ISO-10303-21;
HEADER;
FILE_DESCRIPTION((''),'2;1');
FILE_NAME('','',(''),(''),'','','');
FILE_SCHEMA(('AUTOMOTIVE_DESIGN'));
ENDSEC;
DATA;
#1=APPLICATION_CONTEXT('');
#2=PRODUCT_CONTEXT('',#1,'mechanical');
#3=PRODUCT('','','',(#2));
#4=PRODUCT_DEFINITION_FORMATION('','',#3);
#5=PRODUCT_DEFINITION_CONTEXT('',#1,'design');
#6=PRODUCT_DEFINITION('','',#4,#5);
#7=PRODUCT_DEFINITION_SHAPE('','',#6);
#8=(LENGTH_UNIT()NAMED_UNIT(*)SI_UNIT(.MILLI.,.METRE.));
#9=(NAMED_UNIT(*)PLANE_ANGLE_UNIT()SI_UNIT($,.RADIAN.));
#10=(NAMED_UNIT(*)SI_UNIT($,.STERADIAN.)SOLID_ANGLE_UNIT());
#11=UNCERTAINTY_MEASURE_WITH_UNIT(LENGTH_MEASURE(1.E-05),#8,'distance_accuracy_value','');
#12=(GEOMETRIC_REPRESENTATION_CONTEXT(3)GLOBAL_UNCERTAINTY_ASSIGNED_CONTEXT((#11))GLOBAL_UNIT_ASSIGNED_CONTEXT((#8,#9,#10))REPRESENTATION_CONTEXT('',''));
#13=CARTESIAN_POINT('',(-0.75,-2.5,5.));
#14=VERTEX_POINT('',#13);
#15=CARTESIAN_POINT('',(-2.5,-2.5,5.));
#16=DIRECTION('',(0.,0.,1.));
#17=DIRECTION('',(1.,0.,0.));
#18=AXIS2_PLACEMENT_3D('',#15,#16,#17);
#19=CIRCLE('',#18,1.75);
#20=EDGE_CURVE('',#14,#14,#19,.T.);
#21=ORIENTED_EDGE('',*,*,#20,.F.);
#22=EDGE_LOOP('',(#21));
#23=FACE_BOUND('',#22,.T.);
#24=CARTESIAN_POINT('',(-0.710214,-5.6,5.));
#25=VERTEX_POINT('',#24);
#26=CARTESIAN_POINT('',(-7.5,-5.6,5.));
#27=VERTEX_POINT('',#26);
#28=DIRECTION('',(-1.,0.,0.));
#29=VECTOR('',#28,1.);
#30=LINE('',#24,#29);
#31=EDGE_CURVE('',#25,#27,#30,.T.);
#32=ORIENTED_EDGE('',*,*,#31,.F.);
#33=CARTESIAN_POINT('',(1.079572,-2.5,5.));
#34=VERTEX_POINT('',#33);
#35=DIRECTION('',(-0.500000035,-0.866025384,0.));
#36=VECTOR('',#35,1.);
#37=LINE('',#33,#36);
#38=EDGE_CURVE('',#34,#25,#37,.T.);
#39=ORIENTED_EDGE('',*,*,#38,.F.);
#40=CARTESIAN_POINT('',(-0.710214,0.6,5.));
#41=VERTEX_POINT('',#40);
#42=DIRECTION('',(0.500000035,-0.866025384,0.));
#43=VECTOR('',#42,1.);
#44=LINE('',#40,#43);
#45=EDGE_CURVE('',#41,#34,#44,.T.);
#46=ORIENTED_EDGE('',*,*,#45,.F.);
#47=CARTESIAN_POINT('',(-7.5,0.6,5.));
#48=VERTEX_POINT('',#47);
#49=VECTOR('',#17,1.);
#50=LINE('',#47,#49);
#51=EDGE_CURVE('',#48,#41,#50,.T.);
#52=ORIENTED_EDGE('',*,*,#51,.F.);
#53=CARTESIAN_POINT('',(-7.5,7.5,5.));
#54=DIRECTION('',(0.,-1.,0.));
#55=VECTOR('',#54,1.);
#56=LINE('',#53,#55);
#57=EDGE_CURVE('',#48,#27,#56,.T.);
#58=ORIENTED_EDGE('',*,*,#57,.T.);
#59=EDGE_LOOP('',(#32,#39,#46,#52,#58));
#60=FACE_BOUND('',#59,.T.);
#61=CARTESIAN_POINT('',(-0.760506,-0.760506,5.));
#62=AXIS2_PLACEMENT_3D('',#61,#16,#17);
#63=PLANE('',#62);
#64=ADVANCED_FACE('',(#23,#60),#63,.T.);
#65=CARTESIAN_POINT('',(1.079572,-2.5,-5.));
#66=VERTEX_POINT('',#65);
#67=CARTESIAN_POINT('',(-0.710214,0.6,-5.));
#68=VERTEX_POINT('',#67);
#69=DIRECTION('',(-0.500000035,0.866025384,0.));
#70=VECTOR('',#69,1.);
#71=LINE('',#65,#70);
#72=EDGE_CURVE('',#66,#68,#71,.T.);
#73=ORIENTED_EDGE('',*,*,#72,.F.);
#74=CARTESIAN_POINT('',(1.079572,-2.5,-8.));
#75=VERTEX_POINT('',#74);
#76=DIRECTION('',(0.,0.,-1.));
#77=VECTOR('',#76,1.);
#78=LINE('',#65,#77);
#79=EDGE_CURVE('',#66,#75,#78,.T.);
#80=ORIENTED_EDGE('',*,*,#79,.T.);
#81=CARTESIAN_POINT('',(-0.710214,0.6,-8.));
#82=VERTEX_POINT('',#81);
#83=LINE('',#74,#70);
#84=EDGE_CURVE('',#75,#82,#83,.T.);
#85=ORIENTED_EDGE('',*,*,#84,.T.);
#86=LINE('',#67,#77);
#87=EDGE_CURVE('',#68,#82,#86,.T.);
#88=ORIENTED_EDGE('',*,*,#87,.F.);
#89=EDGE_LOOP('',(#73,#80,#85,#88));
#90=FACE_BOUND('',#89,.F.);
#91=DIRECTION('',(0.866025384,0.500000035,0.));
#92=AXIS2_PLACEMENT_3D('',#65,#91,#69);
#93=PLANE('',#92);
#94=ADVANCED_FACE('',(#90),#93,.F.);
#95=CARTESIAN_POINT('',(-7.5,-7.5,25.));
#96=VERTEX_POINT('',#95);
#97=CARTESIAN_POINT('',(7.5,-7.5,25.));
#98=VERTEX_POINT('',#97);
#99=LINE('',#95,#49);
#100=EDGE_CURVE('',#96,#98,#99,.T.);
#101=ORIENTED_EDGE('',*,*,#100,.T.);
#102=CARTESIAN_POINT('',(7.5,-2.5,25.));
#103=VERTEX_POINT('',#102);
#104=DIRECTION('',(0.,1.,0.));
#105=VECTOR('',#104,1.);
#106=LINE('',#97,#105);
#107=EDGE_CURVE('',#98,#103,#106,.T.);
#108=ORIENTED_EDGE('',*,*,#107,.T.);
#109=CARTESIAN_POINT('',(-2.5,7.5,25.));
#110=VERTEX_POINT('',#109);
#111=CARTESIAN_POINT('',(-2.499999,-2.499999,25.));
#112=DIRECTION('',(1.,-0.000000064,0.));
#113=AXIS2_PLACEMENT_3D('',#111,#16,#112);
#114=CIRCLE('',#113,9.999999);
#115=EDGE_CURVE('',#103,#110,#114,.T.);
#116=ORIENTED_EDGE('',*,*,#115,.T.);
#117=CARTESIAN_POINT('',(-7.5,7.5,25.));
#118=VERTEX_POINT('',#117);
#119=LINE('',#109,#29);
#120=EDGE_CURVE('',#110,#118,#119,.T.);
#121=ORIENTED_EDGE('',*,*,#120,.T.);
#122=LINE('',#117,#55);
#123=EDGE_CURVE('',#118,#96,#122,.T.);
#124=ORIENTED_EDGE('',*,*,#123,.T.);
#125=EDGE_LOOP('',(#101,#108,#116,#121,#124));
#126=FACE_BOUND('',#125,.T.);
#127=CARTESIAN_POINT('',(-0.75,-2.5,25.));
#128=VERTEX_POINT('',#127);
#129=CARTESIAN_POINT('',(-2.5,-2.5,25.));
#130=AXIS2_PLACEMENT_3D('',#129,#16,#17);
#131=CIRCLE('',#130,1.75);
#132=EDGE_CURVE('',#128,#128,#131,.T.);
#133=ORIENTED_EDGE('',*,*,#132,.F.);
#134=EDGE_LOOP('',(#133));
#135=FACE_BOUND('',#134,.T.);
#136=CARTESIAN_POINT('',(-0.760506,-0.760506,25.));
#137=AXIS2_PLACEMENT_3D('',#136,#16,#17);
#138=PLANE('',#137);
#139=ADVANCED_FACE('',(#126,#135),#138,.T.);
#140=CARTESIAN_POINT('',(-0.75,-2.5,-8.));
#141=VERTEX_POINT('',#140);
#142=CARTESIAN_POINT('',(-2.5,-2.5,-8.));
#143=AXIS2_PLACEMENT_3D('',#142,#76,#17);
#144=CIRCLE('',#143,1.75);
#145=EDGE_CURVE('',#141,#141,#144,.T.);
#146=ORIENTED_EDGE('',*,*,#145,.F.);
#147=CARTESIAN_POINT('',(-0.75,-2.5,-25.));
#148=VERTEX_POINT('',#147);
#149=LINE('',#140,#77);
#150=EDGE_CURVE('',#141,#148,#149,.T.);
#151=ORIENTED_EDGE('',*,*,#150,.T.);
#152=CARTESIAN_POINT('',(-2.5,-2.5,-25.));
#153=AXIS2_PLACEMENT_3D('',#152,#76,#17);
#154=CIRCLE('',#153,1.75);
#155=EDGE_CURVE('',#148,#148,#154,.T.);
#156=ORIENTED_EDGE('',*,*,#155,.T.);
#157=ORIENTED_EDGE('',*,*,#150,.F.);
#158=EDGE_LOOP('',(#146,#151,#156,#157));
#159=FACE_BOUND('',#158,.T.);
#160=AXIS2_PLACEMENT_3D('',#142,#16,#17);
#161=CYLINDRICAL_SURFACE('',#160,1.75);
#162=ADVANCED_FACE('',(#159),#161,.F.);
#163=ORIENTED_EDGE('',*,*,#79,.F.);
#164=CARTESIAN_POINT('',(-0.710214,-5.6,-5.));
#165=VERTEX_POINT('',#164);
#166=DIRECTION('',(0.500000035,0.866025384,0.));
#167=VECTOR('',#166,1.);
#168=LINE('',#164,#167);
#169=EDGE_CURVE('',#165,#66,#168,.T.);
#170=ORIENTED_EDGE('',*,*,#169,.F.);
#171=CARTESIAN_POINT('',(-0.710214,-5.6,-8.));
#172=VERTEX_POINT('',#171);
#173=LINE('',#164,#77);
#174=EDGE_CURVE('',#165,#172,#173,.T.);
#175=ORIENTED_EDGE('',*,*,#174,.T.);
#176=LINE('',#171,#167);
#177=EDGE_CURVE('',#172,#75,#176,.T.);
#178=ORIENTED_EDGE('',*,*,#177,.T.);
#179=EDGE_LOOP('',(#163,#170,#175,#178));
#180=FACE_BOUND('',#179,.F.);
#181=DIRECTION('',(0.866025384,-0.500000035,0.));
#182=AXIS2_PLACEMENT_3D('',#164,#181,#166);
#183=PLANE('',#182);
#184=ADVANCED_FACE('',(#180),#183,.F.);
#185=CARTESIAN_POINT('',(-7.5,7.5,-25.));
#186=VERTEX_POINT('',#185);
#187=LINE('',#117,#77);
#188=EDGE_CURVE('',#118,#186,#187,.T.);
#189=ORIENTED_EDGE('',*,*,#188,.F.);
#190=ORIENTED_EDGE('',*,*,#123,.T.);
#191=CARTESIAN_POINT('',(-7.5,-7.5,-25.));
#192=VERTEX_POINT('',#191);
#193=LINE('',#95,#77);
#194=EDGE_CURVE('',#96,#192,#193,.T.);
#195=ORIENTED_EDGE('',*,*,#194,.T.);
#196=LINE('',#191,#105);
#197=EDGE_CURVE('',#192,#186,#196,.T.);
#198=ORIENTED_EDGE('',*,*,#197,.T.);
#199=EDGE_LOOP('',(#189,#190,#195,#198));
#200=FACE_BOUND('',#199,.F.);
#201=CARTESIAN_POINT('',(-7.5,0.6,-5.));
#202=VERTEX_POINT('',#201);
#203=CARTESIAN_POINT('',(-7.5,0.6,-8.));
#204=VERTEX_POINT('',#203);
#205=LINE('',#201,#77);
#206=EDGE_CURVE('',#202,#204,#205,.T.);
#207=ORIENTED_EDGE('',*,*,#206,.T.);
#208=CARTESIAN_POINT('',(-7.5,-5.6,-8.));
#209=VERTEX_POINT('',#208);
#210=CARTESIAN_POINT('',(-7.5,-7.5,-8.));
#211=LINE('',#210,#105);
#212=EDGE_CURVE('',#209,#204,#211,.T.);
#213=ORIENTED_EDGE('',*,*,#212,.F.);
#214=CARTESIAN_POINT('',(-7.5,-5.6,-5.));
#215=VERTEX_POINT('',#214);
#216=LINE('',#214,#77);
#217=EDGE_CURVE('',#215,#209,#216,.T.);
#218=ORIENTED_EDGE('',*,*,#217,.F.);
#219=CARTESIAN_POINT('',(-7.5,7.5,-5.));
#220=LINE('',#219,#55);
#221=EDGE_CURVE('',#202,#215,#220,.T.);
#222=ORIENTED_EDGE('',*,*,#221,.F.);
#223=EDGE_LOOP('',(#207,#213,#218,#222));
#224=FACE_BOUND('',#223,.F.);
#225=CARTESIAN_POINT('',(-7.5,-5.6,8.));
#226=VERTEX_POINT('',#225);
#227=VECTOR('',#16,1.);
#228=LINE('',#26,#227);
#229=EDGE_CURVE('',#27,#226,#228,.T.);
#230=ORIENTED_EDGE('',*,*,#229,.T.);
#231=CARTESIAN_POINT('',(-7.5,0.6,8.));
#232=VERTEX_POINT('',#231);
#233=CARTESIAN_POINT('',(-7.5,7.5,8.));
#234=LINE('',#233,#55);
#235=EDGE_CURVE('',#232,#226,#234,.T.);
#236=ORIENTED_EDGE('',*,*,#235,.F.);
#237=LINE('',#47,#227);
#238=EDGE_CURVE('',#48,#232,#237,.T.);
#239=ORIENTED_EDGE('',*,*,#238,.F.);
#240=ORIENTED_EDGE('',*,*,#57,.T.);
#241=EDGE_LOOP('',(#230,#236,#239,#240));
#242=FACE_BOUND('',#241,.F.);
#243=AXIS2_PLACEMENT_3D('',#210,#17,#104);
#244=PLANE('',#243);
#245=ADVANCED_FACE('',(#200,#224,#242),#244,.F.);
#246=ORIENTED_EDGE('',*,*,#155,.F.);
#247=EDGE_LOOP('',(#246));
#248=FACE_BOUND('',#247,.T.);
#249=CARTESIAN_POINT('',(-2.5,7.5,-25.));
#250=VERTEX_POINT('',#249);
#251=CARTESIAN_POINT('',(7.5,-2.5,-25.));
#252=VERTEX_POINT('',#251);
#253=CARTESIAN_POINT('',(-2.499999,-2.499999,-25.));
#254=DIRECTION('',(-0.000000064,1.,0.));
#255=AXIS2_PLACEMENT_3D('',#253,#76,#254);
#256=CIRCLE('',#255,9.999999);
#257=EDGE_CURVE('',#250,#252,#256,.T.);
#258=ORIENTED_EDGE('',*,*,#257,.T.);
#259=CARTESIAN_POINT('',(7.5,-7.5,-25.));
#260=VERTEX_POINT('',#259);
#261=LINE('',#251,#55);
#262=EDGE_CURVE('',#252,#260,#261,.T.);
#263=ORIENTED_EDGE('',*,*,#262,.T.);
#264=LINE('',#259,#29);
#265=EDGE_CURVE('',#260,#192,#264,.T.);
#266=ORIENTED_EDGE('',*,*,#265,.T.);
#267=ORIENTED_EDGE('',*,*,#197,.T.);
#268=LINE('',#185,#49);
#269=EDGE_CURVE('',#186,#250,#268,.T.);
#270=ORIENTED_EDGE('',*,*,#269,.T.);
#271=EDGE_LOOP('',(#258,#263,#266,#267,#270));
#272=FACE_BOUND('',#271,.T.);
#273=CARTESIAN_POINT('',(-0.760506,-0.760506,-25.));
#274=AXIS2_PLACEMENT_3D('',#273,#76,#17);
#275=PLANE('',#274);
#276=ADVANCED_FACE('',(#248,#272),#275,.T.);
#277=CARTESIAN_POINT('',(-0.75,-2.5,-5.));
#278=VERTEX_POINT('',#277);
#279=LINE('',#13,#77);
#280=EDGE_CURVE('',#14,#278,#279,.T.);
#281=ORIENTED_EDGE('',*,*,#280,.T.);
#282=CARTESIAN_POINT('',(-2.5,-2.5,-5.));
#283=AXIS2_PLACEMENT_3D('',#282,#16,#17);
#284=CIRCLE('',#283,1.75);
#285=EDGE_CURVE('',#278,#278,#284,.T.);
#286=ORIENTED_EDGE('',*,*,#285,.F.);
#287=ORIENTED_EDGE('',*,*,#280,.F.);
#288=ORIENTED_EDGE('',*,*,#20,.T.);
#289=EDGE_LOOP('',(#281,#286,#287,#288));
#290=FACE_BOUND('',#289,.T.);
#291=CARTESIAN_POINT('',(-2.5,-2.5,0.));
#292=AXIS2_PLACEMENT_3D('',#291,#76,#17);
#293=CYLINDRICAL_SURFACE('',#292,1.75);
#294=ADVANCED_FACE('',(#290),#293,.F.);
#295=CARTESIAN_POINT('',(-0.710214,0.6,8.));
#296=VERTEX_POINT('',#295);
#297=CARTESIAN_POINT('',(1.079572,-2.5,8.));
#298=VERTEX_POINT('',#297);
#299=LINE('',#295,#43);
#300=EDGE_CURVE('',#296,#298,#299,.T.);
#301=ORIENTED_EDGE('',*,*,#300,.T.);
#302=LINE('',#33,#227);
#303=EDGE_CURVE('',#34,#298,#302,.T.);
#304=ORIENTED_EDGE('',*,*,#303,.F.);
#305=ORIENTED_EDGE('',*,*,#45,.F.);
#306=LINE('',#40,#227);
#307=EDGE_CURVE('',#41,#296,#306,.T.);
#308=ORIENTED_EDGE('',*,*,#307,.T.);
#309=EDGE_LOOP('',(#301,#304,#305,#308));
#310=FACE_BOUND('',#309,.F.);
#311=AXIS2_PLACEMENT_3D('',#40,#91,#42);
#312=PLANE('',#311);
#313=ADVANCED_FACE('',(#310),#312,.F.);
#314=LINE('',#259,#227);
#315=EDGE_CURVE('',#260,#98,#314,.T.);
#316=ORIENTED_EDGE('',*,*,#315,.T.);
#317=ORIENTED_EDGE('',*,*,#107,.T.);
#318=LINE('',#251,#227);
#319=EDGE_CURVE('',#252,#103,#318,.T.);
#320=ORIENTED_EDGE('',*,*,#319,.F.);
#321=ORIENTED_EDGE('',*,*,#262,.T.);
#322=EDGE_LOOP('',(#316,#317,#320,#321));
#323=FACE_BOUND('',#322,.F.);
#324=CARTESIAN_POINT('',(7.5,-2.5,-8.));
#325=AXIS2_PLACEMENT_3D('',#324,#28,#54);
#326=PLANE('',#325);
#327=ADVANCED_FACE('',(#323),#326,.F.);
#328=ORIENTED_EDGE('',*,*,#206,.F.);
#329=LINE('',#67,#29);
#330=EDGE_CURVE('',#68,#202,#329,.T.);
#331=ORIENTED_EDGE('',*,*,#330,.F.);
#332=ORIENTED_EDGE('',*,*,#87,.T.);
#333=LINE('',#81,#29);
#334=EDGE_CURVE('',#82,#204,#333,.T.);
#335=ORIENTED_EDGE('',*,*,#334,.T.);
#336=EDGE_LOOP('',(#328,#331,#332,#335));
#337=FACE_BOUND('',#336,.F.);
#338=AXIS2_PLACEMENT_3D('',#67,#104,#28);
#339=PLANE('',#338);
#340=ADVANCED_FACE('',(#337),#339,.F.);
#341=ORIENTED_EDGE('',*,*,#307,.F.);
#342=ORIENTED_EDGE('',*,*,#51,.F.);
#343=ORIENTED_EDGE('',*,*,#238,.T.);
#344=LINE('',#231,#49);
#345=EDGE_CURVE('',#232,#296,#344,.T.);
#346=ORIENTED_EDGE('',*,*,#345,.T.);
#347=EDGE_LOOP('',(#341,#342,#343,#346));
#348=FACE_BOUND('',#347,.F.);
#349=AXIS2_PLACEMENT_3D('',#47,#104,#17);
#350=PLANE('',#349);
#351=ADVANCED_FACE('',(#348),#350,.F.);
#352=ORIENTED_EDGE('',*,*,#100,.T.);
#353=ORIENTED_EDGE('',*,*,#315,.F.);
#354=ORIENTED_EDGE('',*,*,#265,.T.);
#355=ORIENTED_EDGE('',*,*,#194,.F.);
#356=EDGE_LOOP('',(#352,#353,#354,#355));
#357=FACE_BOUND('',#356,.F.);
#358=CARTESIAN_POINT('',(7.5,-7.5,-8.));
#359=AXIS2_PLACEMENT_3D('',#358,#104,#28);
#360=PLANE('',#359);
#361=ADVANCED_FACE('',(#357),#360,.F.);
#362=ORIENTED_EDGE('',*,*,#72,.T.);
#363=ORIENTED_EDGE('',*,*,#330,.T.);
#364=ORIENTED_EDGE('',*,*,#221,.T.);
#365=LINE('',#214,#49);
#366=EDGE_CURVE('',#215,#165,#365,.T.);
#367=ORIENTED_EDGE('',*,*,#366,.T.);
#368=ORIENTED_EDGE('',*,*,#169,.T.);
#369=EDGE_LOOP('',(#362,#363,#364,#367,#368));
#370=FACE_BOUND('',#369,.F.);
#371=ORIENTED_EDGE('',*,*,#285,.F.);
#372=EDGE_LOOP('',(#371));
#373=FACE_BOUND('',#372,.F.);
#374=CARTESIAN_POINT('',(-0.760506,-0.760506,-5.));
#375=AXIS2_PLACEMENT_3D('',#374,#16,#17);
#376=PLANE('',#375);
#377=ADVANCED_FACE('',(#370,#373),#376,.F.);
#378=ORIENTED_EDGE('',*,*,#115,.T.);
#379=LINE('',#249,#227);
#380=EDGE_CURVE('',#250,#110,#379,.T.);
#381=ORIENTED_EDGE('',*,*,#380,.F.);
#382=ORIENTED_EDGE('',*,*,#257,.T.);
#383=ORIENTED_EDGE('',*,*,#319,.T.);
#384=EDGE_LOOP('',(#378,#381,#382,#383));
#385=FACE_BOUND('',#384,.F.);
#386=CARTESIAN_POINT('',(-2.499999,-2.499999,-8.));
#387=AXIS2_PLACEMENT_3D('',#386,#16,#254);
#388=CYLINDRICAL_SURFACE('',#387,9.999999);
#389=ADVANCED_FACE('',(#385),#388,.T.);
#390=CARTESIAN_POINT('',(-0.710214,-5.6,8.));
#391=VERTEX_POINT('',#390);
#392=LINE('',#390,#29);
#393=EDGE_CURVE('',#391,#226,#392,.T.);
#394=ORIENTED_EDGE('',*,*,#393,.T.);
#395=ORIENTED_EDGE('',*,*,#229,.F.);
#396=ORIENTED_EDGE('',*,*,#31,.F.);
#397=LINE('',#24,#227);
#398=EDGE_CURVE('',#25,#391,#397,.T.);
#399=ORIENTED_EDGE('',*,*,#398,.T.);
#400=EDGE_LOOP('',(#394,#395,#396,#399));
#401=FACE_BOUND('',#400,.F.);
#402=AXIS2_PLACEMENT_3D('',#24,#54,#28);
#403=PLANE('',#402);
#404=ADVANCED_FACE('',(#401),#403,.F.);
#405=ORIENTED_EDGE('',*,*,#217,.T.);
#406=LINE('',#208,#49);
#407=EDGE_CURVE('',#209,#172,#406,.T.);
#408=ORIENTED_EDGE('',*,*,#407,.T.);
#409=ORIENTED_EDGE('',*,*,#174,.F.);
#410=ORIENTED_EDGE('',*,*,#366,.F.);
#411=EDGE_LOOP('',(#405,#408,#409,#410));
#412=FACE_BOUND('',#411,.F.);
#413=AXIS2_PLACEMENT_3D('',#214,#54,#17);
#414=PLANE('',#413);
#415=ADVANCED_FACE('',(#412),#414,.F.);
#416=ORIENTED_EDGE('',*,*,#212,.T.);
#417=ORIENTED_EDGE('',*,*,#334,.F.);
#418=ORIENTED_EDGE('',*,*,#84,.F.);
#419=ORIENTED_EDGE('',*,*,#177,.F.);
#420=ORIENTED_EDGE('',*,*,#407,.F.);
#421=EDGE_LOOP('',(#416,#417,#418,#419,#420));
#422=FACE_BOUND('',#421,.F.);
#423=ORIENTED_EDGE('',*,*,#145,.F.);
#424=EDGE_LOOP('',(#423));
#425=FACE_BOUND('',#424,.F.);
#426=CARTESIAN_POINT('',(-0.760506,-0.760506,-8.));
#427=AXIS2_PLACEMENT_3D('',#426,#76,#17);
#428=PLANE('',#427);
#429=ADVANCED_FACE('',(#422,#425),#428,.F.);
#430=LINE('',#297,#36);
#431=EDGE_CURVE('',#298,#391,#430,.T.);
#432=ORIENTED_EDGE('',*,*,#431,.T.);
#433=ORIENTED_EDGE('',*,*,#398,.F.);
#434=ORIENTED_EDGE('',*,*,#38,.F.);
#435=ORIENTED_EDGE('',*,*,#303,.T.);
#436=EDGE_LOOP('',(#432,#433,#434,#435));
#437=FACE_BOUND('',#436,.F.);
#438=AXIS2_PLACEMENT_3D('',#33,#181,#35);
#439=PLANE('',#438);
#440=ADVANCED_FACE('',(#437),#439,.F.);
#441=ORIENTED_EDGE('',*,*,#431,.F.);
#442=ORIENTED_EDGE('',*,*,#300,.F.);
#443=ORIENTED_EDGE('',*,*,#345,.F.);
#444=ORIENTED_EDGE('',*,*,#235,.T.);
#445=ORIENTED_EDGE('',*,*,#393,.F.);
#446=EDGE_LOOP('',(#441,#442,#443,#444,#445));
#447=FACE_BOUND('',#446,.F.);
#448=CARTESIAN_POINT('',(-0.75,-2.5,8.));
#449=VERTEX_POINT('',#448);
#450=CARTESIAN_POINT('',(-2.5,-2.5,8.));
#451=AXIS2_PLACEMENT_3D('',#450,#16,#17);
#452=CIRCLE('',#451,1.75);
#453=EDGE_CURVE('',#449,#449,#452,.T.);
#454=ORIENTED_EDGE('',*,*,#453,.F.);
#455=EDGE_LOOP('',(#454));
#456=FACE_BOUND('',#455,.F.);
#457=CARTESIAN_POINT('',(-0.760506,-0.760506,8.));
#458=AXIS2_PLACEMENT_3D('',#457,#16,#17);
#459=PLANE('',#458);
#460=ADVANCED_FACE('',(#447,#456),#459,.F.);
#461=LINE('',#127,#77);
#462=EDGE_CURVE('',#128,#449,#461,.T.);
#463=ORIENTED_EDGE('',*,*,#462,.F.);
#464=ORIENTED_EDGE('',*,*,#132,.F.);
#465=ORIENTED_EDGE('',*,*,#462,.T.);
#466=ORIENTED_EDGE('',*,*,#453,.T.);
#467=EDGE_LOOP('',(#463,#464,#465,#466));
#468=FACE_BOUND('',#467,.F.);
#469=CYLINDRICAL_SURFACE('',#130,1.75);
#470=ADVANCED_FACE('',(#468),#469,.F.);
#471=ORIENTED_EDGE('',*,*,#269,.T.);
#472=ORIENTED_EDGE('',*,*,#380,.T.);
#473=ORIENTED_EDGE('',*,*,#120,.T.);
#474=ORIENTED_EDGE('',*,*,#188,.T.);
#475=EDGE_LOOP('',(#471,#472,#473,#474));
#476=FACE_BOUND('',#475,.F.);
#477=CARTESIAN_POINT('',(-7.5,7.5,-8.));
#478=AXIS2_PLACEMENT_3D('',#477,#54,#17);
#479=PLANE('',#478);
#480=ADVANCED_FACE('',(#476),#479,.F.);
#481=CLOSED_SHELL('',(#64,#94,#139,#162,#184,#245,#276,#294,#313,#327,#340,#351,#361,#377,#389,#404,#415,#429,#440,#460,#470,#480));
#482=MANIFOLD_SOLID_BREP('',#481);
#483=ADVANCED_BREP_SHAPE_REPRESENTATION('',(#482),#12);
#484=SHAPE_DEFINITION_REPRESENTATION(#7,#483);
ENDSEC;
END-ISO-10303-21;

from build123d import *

# Parameters (mm, degrees)
F0_R      = 1.75
F1_DEPTH  = 5
F3_DEPTH  = 3
F5_DEPTH  = 3
F7_DEPTH  = 17
F8_R      = 1.75
F9_DEPTH  = 17
F10_R     = 1.75
F11_DEPTH = 50


with BuildPart() as f1:
    # F0 (on Top) → F1 (new body, symmetric)
    with BuildSketch(Plane.XY):
        with BuildLine():
            ThreePointArc((7.5, -2.5), (4.571068, 4.571068), (-2.5, 7.5))
            Line((-2.5, 7.5), (-7.5, 7.5))
            Line((-7.5, 7.5), (-7.5, -7.5))
            Line((-7.5, -7.5), (7.5, -7.5))
            Line((7.5, -7.5), (7.5, -2.5))
        make_face()
        with Locations((-2.5, -2.5)):
            Circle(F0_R, mode=Mode.SUBTRACT)
    extrude(amount=F1_DEPTH, both=True)

    # F2 (on face) → F3 (join)
    with BuildSketch(Plane.XY.offset(5)):
        with BuildLine():
            Line((-7.5, 0.6), (-4.289786, 0.6))
            Line((-4.289786, 0.6), (-0.710214, 0.6))
            Line((-0.710214, 0.6), (1.079572, -2.5))
            Line((1.079572, -2.5), (-0.710214, -5.6))
            Line((-0.710214, -5.6), (-4.289786, -5.6))
            Line((-4.289786, -5.6), (-7.5, -5.6))
            Line((-7.5, -5.6), (-7.5, -7.5))
            Line((-7.5, -7.5), (7.5, -7.5))
            Line((7.5, -7.5), (7.5, -2.5))
            ThreePointArc((7.5, -2.5), (4.571068, 4.571068), (-2.5, 7.5))
            Line((-2.5, 7.5), (-7.5, 7.5))
            Line((-7.5, 7.5), (-7.5, 0.6))
        make_face()
    extrude(amount=F3_DEPTH)

    # F4 (on face) → F5 (join)
    with BuildSketch(Plane(origin=(0, 0, -5), x_dir=(1, 0, 0), z_dir=(0, 0, -1))):
        with BuildLine():
            Line((1.079572, 2.5), (-0.710214, -0.6))
            Line((-0.710214, -0.6), (-4.289786, -0.6))
            Line((-4.289786, -0.6), (-7.5, -0.6))
            Line((-7.5, -0.6), (-7.5, -7.5))
            Line((-7.5, -7.5), (-2.5, -7.5))
            ThreePointArc((-2.5, -7.5), (4.571068, -4.571068), (7.5, 2.5))
            Line((7.5, 2.5), (7.5, 7.5))
            Line((7.5, 7.5), (-7.5, 7.5))
            Line((-7.5, 7.5), (-7.5, 5.6))
            Line((-7.5, 5.6), (-4.289786, 5.6))
            Line((-4.289786, 5.6), (-0.710214, 5.6))
            Line((-0.710214, 5.6), (1.079572, 2.5))
        make_face()
    extrude(amount=F5_DEPTH)

    # F6 (on face) → F7 (join)
    with BuildSketch(Plane.XY.offset(8)):
        with BuildLine():
            Line((-7.5, 7.5), (-7.5, -7.5))
            Line((-7.5, -7.5), (7.5, -7.5))
            Line((7.5, -7.5), (7.5, -2.5))
            ThreePointArc((7.5, -2.5), (4.571068, 4.571068), (-2.5, 7.5))
            Line((-2.5, 7.5), (-7.5, 7.5))
        make_face()
    extrude(amount=F7_DEPTH)

    # F8 (on face) → F9 (join)
    with BuildSketch(Plane(origin=(0, 0, -8), x_dir=(1, 0, 0), z_dir=(0, 0, -1))):
        with BuildLine():
            Line((7.5, 7.5), (-7.5, 7.5))
            Line((-7.5, 7.5), (-7.5, -7.5))
            Line((-7.5, -7.5), (-2.5, -7.5))
            ThreePointArc((-2.5, -7.5), (4.571068, -4.571068), (7.5, 2.5))
            Line((7.5, 2.5), (7.5, 7.5))
        make_face()
        with Locations((-2.5, 2.5)):
            Circle(F8_R, mode=Mode.SUBTRACT)
    extrude(amount=F9_DEPTH)

    # F10 (on face) → F11 (cut)
    with BuildSketch(Plane.XY.offset(25)):
        with Locations((-2.5, -2.5)):
            Circle(F10_R)
    extrude(amount=-F11_DEPTH, mode=Mode.SUBTRACT)


solid = f1.part
